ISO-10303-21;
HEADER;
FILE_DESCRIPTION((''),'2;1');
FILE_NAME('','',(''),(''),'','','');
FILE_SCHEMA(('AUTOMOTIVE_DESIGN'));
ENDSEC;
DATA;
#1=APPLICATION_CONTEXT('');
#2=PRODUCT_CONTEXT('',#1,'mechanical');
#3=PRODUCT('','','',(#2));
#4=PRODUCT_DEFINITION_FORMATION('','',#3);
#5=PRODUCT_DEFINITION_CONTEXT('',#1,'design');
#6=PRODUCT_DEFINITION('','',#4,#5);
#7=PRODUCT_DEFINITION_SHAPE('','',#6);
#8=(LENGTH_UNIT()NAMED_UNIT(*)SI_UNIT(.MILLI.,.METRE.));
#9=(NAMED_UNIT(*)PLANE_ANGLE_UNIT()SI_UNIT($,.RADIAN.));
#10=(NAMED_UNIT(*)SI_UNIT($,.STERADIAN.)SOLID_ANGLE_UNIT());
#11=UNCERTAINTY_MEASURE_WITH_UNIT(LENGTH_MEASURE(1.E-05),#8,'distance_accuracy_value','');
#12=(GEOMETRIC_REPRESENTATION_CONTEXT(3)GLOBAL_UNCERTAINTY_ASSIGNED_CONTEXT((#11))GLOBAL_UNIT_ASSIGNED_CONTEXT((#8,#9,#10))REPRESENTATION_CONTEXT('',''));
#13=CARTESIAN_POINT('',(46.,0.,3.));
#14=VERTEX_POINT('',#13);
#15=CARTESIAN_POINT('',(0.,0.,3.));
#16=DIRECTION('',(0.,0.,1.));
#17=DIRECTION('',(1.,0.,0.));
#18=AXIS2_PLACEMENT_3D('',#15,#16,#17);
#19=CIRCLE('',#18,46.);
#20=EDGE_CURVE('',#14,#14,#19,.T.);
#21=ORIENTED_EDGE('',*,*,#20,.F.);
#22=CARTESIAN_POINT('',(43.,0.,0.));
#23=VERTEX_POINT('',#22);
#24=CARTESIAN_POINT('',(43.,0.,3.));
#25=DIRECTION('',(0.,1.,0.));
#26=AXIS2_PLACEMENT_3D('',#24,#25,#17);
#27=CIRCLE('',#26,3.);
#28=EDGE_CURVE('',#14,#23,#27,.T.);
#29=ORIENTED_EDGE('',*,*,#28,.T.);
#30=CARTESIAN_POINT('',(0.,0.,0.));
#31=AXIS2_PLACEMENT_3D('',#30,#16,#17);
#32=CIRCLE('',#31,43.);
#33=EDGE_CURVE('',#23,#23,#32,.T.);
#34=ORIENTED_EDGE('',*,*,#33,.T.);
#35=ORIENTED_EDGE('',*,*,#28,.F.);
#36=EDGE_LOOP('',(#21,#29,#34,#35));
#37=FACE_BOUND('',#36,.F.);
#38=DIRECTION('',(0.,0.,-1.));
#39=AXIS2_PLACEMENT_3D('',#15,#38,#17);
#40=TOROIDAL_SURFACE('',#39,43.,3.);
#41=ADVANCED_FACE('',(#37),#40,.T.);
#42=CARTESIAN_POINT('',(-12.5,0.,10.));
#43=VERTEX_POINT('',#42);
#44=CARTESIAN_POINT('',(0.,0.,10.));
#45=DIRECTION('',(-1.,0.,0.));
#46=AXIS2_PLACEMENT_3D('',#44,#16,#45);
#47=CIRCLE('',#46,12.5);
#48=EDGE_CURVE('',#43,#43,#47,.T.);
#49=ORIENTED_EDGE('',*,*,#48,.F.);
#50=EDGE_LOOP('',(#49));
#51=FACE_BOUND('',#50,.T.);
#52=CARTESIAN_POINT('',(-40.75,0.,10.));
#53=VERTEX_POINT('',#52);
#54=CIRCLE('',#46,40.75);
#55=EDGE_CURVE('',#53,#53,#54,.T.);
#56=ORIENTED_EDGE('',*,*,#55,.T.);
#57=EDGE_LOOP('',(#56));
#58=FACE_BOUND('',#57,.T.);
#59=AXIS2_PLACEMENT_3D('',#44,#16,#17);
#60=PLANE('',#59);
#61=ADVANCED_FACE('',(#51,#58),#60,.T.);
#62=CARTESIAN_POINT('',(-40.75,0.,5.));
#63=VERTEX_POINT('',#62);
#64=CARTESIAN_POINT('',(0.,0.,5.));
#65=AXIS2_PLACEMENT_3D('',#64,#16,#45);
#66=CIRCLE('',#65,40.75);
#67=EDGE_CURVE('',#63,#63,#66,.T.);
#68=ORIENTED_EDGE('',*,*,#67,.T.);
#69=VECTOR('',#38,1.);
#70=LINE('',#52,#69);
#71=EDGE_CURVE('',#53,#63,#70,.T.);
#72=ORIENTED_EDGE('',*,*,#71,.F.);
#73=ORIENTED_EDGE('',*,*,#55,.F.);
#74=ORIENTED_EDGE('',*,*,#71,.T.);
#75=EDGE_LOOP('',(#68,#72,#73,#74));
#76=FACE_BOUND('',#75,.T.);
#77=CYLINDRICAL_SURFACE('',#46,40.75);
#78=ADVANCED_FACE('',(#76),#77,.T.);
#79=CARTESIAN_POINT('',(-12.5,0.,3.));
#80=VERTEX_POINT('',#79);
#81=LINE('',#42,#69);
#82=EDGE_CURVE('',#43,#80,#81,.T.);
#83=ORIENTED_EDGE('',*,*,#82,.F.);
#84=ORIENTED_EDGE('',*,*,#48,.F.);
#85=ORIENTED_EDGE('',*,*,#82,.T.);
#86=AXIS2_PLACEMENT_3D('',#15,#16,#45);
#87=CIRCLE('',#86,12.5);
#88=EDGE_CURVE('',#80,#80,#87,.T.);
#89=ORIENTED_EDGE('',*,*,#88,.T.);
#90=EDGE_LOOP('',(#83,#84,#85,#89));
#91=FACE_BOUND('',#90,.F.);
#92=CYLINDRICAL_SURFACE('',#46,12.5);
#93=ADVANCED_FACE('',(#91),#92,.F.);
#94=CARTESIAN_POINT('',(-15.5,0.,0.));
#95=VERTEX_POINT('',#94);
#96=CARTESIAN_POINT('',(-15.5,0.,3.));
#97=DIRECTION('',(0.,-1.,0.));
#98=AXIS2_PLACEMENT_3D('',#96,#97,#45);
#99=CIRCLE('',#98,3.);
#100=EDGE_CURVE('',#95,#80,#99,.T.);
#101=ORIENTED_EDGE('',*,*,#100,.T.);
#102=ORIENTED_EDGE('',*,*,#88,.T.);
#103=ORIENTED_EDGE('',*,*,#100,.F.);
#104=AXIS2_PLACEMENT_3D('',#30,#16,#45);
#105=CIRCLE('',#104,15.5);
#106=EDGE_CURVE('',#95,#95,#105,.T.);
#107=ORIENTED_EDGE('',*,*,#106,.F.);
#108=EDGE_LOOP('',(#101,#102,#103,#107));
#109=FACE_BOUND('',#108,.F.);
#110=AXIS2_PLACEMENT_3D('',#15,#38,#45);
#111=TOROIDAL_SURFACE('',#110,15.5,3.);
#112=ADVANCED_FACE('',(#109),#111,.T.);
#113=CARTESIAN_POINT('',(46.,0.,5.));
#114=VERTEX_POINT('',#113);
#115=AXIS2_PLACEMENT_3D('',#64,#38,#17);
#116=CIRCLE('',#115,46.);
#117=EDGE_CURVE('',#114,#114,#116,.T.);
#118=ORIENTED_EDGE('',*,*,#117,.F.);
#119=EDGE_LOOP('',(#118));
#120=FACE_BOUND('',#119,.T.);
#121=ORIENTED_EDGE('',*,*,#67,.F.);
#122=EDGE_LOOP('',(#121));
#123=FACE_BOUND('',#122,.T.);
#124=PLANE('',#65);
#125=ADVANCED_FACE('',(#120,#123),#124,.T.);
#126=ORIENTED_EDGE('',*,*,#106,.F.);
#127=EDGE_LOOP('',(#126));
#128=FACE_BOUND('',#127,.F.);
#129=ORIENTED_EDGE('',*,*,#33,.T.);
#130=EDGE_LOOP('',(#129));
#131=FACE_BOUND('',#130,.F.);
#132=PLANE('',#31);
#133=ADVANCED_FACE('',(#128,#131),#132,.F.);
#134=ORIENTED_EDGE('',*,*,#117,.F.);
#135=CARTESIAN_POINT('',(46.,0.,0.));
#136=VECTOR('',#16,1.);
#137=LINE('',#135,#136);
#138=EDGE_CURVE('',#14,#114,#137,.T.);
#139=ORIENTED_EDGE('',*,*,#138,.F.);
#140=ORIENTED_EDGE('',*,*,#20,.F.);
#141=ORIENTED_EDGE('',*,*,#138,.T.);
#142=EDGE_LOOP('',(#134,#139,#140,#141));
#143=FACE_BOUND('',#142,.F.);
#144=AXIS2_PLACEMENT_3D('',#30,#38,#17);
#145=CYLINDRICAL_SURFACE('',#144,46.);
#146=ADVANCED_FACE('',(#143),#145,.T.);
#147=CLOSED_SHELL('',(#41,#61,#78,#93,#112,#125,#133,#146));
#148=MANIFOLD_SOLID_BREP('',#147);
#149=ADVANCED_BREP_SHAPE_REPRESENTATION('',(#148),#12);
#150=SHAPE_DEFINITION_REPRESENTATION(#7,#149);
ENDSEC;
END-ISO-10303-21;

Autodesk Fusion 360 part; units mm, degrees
sketch "スケッチ1" plane through (0, 0, 0) normal (0, 0, 1) x (1, 0, 0)
  circle A0 centre (0, 0) radius 46
  dimension "d1" = 92
extrude "押し出し1" add sketch "スケッチ1" along normal blind 10
sketch "スケッチ2" plane through (0, 0, 10) normal (0, 0, 1) x (-1, 0, 0)
  circle A0 centre (0, 0) radius 46
  circle A1 centre (0, 0) radius 40.75
  dimension "d4" = 81.5
extrude "押し出し2" cut sketch "スケッチ2" against normal blind 5
sketch "スケッチ3" plane through (0, 0, 10) normal (0, 0, 1) x (-1, 0, 0)
  circle A0 centre (0, 0) radius 40.75
  circle A1 centre (0, 0) radius 12.5
  dimension "d7" = 25
extrude "押し出し3" cut sketch "スケッチ3" against normal blind 10 contours A1
fillet "フィレット1" radius 3 1 faces at (34.6155, -2.9063, 0)
